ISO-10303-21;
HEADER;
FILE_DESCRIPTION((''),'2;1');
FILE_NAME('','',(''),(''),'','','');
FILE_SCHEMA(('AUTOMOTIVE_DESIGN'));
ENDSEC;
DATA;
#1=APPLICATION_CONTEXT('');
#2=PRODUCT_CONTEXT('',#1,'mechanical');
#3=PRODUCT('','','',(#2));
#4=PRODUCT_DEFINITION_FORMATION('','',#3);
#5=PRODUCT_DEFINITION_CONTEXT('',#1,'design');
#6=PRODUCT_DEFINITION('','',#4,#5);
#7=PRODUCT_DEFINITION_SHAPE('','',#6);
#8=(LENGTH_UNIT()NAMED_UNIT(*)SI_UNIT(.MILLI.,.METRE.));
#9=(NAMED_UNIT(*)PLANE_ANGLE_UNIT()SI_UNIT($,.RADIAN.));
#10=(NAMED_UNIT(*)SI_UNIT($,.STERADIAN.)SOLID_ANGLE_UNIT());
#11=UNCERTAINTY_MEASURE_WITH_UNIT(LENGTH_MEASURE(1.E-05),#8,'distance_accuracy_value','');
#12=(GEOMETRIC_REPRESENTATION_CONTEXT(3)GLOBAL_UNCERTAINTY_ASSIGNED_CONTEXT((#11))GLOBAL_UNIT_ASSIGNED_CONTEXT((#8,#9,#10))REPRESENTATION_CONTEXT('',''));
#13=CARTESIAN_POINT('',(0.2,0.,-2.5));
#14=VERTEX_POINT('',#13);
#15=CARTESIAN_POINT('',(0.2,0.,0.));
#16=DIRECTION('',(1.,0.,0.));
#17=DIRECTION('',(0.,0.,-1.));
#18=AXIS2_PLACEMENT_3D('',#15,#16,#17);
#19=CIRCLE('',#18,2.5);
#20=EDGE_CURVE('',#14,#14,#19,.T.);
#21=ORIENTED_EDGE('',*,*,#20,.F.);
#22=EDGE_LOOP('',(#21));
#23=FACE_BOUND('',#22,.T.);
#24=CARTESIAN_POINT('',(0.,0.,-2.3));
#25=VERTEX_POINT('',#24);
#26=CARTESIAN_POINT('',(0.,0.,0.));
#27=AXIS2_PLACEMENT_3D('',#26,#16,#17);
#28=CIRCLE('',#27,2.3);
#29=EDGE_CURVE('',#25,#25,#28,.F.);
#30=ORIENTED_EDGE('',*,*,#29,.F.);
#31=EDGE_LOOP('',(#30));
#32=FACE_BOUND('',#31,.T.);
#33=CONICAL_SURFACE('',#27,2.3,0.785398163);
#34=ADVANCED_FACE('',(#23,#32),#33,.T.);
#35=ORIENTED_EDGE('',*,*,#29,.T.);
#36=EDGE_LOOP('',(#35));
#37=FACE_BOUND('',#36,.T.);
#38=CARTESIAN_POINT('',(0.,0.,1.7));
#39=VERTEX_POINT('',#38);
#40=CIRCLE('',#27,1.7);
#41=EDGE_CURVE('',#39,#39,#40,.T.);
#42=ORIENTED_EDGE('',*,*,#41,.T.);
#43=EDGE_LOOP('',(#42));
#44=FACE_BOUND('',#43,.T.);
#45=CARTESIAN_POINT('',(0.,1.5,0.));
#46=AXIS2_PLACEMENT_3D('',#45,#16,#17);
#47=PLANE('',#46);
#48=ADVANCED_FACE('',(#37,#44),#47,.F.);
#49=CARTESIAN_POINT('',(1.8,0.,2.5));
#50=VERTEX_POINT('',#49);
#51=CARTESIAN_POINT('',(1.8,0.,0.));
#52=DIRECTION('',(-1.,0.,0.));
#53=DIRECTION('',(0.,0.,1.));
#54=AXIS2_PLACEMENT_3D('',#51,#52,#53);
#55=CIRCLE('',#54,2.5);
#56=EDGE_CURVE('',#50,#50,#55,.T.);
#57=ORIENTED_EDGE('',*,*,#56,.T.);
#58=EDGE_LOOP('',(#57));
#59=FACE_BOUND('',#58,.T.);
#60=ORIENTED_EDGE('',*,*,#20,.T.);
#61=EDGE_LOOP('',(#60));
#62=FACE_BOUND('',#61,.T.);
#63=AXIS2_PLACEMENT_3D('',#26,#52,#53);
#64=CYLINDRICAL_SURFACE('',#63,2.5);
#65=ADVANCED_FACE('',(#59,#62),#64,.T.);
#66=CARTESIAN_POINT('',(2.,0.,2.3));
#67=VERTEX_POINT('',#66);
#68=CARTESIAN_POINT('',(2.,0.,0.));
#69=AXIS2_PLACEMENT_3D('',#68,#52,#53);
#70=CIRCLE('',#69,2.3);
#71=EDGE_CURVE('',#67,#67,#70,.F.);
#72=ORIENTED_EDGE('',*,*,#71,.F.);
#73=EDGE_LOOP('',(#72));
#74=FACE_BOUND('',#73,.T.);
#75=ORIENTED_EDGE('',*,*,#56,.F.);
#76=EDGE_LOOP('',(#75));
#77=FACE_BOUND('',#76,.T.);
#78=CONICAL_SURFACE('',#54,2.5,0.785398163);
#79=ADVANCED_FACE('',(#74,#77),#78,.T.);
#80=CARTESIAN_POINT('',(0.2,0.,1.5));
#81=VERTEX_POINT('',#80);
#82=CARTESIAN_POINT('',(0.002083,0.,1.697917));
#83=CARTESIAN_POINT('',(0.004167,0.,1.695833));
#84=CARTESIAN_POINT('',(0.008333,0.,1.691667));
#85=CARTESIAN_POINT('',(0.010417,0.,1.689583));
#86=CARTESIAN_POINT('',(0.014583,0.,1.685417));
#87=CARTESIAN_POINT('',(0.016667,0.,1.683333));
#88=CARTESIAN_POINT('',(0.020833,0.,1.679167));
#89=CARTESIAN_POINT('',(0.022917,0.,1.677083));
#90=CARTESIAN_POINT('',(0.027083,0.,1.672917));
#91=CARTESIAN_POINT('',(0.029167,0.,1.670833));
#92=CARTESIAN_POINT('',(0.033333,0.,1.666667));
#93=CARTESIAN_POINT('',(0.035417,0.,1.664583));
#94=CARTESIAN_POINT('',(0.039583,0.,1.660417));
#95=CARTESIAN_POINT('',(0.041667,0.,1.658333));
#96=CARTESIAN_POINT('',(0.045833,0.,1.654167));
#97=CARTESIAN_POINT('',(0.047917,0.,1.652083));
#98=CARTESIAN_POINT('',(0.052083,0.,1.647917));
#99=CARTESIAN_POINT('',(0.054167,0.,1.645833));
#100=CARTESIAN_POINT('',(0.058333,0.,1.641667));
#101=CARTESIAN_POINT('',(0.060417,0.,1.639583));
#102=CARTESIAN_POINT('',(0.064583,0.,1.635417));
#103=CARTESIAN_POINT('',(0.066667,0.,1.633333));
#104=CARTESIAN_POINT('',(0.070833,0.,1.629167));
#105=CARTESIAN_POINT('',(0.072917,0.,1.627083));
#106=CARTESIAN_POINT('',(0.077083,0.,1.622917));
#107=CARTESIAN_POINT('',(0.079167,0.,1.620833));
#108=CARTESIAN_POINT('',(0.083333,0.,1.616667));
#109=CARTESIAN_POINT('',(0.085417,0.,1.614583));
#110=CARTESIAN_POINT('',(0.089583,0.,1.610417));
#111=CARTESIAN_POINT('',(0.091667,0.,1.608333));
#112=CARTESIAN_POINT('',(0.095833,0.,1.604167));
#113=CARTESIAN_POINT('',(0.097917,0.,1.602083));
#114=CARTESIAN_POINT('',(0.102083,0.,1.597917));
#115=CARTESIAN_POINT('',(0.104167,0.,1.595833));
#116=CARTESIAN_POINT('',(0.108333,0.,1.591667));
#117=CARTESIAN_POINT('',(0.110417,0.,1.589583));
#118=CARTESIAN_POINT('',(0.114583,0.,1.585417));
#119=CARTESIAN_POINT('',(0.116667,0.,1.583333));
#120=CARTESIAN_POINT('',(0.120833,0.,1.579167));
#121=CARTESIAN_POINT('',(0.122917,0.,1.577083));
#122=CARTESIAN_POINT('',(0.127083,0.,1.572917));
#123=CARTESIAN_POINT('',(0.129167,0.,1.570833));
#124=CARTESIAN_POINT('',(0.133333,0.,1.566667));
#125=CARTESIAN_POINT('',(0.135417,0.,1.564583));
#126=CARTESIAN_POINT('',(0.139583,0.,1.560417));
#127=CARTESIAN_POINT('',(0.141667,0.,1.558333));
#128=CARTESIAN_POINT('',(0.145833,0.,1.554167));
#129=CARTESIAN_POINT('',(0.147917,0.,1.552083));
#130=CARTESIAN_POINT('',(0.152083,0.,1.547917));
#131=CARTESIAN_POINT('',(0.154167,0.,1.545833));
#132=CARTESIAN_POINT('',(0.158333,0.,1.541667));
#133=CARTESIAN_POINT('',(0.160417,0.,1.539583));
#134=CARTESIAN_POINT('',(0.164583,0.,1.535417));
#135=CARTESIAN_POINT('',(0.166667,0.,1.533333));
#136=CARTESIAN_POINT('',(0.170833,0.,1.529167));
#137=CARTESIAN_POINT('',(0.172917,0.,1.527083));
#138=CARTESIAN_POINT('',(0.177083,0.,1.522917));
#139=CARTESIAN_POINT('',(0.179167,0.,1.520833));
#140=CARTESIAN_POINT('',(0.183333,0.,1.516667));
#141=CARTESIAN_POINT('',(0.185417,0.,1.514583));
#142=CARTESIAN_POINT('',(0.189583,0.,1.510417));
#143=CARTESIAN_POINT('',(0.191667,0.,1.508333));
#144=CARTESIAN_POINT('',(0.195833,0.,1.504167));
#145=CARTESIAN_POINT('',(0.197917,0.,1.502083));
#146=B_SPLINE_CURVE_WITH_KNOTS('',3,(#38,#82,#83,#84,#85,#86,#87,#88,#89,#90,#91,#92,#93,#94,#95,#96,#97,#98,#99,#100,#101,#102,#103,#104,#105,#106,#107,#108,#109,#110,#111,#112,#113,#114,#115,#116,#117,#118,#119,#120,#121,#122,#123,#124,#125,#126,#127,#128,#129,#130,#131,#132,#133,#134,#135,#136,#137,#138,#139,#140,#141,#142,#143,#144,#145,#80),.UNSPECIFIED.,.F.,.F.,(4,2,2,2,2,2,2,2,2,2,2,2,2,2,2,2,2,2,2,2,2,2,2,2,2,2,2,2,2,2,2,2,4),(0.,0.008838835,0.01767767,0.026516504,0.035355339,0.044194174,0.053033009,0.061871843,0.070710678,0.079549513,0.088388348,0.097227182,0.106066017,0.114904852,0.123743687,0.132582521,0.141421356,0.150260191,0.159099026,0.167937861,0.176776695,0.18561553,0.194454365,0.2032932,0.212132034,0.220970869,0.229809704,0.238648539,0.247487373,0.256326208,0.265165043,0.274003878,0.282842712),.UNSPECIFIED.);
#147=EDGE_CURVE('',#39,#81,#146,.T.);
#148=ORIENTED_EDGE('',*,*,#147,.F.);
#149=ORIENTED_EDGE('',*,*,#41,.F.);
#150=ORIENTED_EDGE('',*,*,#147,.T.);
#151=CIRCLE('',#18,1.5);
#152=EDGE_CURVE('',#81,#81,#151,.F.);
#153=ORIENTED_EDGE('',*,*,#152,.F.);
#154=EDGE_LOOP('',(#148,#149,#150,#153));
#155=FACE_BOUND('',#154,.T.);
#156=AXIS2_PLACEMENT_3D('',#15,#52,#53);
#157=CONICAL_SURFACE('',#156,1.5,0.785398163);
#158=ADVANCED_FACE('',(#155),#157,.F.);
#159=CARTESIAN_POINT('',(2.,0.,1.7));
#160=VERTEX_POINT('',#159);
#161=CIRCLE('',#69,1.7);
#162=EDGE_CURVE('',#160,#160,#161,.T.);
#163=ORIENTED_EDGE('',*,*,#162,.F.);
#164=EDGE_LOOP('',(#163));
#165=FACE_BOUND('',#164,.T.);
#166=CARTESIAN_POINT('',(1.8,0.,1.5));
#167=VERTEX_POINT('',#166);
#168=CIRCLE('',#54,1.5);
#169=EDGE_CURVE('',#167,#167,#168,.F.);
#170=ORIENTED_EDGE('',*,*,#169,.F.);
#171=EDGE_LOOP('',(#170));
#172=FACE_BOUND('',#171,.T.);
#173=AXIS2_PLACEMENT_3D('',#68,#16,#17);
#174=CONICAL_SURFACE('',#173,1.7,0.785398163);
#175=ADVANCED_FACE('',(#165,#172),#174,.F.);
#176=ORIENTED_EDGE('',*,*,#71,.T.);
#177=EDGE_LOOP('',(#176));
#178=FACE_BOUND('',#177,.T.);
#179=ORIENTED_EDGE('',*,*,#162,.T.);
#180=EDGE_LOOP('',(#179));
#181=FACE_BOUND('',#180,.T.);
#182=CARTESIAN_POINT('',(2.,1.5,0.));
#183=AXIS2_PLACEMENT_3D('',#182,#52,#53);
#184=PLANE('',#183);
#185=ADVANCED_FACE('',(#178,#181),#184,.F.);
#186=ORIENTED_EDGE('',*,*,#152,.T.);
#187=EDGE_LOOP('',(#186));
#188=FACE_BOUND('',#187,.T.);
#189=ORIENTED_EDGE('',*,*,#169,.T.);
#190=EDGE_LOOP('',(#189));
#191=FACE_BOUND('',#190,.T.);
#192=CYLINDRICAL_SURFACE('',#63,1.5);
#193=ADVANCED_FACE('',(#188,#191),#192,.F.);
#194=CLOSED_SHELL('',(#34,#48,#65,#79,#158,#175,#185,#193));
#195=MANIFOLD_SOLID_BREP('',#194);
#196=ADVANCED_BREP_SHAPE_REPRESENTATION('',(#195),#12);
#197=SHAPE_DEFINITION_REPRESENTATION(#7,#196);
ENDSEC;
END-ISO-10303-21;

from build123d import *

# Parameters (mm, degrees)
SKETCH1_W     = 2
SKETCH1_H     = 1
CHAMFER1_SIZE = 0.2


with BuildPart() as part:
    # Sketch1 → Revolve1 (revolve)
    with BuildSketch(Plane.XY, mode=Mode.PRIVATE) as revolve1_sk:
        with Locations((1, 2)):
            Rectangle(SKETCH1_W, SKETCH1_H)
    revolve(revolve1_sk.sketch.rotate(Axis((0, 0, 0), (1, 0, 0)), 90), axis=Axis((0, 0, 0), (1, 0, 0)))

    # Chamfer1
    chamfer1_edges = [part.edges().sort_by_distance(p)[0] for p in [
        (0, 0, -1.5),
        (2, 0, -1.5),
        (2, 0, -2.5),
        (0, 0, -2.5),
    ]]
    chamfer(chamfer1_edges, length=CHAMFER1_SIZE)


solid = part.part
